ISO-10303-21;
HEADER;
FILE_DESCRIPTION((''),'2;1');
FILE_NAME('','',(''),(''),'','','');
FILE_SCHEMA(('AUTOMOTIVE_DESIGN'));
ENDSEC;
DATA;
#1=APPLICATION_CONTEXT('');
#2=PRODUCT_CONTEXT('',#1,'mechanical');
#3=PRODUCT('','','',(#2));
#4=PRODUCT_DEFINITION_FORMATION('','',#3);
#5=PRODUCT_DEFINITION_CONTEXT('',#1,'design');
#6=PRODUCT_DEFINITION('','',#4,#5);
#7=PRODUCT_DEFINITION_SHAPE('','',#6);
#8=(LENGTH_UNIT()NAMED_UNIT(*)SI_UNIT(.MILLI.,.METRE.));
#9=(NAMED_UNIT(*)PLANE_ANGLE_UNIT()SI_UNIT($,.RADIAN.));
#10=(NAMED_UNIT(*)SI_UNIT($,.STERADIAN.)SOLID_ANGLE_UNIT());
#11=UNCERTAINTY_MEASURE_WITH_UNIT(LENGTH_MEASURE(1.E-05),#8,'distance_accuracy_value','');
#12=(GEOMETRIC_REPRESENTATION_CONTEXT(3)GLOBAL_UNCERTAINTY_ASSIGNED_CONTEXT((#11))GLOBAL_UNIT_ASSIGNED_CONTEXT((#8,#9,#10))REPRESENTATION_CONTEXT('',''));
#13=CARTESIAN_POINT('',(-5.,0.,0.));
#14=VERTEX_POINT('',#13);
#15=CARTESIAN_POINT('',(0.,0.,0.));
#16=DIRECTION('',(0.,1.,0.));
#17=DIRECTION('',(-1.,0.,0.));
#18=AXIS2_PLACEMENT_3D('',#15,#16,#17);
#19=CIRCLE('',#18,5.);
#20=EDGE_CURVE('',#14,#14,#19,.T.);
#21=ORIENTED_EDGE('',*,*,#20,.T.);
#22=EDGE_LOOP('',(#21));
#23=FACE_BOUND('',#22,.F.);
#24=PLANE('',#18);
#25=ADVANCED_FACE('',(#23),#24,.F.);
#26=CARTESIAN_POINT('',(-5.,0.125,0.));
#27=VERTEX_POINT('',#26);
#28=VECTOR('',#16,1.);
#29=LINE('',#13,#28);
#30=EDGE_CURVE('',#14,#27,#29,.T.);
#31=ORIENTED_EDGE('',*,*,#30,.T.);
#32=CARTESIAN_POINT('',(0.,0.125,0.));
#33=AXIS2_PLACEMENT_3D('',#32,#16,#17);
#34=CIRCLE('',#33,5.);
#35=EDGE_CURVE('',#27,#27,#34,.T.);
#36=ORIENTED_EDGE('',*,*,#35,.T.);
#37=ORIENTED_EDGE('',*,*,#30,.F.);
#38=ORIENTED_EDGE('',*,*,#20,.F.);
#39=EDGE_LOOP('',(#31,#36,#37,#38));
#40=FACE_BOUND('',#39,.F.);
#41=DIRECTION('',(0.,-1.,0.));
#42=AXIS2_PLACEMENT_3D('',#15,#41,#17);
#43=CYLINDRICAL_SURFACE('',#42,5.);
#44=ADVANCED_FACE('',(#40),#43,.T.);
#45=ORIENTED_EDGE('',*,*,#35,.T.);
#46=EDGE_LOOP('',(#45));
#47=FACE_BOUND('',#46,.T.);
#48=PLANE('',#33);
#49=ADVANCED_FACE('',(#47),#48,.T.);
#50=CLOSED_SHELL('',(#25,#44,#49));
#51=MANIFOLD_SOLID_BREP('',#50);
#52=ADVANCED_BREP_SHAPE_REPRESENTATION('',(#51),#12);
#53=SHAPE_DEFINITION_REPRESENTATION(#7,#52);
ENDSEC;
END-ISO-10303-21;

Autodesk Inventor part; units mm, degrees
ref_plane "YZ Plane" through (0, 0, 0) normal (1, 0, 0) x (0, 1, 0)
ref_plane "XZ Plane" through (0, 0, 0) normal (0, 1, 0) x (-1, 0, 0)
ref_plane "XY Plane" through (0, 0, 0) normal (0, 0, 1) x (1, 0, 0)
sketch "Skizze1" plane through (0, 0, 0) normal (0, 1, 0) x (-1, 0, 0)
  circle A0 centre (0, 0) radius 5
  dimension "d0" = 10
extrude "Extrusion1" add sketch "Skizze1" along normal blind 0.125
properties part number "00_coverglass_10mm"
